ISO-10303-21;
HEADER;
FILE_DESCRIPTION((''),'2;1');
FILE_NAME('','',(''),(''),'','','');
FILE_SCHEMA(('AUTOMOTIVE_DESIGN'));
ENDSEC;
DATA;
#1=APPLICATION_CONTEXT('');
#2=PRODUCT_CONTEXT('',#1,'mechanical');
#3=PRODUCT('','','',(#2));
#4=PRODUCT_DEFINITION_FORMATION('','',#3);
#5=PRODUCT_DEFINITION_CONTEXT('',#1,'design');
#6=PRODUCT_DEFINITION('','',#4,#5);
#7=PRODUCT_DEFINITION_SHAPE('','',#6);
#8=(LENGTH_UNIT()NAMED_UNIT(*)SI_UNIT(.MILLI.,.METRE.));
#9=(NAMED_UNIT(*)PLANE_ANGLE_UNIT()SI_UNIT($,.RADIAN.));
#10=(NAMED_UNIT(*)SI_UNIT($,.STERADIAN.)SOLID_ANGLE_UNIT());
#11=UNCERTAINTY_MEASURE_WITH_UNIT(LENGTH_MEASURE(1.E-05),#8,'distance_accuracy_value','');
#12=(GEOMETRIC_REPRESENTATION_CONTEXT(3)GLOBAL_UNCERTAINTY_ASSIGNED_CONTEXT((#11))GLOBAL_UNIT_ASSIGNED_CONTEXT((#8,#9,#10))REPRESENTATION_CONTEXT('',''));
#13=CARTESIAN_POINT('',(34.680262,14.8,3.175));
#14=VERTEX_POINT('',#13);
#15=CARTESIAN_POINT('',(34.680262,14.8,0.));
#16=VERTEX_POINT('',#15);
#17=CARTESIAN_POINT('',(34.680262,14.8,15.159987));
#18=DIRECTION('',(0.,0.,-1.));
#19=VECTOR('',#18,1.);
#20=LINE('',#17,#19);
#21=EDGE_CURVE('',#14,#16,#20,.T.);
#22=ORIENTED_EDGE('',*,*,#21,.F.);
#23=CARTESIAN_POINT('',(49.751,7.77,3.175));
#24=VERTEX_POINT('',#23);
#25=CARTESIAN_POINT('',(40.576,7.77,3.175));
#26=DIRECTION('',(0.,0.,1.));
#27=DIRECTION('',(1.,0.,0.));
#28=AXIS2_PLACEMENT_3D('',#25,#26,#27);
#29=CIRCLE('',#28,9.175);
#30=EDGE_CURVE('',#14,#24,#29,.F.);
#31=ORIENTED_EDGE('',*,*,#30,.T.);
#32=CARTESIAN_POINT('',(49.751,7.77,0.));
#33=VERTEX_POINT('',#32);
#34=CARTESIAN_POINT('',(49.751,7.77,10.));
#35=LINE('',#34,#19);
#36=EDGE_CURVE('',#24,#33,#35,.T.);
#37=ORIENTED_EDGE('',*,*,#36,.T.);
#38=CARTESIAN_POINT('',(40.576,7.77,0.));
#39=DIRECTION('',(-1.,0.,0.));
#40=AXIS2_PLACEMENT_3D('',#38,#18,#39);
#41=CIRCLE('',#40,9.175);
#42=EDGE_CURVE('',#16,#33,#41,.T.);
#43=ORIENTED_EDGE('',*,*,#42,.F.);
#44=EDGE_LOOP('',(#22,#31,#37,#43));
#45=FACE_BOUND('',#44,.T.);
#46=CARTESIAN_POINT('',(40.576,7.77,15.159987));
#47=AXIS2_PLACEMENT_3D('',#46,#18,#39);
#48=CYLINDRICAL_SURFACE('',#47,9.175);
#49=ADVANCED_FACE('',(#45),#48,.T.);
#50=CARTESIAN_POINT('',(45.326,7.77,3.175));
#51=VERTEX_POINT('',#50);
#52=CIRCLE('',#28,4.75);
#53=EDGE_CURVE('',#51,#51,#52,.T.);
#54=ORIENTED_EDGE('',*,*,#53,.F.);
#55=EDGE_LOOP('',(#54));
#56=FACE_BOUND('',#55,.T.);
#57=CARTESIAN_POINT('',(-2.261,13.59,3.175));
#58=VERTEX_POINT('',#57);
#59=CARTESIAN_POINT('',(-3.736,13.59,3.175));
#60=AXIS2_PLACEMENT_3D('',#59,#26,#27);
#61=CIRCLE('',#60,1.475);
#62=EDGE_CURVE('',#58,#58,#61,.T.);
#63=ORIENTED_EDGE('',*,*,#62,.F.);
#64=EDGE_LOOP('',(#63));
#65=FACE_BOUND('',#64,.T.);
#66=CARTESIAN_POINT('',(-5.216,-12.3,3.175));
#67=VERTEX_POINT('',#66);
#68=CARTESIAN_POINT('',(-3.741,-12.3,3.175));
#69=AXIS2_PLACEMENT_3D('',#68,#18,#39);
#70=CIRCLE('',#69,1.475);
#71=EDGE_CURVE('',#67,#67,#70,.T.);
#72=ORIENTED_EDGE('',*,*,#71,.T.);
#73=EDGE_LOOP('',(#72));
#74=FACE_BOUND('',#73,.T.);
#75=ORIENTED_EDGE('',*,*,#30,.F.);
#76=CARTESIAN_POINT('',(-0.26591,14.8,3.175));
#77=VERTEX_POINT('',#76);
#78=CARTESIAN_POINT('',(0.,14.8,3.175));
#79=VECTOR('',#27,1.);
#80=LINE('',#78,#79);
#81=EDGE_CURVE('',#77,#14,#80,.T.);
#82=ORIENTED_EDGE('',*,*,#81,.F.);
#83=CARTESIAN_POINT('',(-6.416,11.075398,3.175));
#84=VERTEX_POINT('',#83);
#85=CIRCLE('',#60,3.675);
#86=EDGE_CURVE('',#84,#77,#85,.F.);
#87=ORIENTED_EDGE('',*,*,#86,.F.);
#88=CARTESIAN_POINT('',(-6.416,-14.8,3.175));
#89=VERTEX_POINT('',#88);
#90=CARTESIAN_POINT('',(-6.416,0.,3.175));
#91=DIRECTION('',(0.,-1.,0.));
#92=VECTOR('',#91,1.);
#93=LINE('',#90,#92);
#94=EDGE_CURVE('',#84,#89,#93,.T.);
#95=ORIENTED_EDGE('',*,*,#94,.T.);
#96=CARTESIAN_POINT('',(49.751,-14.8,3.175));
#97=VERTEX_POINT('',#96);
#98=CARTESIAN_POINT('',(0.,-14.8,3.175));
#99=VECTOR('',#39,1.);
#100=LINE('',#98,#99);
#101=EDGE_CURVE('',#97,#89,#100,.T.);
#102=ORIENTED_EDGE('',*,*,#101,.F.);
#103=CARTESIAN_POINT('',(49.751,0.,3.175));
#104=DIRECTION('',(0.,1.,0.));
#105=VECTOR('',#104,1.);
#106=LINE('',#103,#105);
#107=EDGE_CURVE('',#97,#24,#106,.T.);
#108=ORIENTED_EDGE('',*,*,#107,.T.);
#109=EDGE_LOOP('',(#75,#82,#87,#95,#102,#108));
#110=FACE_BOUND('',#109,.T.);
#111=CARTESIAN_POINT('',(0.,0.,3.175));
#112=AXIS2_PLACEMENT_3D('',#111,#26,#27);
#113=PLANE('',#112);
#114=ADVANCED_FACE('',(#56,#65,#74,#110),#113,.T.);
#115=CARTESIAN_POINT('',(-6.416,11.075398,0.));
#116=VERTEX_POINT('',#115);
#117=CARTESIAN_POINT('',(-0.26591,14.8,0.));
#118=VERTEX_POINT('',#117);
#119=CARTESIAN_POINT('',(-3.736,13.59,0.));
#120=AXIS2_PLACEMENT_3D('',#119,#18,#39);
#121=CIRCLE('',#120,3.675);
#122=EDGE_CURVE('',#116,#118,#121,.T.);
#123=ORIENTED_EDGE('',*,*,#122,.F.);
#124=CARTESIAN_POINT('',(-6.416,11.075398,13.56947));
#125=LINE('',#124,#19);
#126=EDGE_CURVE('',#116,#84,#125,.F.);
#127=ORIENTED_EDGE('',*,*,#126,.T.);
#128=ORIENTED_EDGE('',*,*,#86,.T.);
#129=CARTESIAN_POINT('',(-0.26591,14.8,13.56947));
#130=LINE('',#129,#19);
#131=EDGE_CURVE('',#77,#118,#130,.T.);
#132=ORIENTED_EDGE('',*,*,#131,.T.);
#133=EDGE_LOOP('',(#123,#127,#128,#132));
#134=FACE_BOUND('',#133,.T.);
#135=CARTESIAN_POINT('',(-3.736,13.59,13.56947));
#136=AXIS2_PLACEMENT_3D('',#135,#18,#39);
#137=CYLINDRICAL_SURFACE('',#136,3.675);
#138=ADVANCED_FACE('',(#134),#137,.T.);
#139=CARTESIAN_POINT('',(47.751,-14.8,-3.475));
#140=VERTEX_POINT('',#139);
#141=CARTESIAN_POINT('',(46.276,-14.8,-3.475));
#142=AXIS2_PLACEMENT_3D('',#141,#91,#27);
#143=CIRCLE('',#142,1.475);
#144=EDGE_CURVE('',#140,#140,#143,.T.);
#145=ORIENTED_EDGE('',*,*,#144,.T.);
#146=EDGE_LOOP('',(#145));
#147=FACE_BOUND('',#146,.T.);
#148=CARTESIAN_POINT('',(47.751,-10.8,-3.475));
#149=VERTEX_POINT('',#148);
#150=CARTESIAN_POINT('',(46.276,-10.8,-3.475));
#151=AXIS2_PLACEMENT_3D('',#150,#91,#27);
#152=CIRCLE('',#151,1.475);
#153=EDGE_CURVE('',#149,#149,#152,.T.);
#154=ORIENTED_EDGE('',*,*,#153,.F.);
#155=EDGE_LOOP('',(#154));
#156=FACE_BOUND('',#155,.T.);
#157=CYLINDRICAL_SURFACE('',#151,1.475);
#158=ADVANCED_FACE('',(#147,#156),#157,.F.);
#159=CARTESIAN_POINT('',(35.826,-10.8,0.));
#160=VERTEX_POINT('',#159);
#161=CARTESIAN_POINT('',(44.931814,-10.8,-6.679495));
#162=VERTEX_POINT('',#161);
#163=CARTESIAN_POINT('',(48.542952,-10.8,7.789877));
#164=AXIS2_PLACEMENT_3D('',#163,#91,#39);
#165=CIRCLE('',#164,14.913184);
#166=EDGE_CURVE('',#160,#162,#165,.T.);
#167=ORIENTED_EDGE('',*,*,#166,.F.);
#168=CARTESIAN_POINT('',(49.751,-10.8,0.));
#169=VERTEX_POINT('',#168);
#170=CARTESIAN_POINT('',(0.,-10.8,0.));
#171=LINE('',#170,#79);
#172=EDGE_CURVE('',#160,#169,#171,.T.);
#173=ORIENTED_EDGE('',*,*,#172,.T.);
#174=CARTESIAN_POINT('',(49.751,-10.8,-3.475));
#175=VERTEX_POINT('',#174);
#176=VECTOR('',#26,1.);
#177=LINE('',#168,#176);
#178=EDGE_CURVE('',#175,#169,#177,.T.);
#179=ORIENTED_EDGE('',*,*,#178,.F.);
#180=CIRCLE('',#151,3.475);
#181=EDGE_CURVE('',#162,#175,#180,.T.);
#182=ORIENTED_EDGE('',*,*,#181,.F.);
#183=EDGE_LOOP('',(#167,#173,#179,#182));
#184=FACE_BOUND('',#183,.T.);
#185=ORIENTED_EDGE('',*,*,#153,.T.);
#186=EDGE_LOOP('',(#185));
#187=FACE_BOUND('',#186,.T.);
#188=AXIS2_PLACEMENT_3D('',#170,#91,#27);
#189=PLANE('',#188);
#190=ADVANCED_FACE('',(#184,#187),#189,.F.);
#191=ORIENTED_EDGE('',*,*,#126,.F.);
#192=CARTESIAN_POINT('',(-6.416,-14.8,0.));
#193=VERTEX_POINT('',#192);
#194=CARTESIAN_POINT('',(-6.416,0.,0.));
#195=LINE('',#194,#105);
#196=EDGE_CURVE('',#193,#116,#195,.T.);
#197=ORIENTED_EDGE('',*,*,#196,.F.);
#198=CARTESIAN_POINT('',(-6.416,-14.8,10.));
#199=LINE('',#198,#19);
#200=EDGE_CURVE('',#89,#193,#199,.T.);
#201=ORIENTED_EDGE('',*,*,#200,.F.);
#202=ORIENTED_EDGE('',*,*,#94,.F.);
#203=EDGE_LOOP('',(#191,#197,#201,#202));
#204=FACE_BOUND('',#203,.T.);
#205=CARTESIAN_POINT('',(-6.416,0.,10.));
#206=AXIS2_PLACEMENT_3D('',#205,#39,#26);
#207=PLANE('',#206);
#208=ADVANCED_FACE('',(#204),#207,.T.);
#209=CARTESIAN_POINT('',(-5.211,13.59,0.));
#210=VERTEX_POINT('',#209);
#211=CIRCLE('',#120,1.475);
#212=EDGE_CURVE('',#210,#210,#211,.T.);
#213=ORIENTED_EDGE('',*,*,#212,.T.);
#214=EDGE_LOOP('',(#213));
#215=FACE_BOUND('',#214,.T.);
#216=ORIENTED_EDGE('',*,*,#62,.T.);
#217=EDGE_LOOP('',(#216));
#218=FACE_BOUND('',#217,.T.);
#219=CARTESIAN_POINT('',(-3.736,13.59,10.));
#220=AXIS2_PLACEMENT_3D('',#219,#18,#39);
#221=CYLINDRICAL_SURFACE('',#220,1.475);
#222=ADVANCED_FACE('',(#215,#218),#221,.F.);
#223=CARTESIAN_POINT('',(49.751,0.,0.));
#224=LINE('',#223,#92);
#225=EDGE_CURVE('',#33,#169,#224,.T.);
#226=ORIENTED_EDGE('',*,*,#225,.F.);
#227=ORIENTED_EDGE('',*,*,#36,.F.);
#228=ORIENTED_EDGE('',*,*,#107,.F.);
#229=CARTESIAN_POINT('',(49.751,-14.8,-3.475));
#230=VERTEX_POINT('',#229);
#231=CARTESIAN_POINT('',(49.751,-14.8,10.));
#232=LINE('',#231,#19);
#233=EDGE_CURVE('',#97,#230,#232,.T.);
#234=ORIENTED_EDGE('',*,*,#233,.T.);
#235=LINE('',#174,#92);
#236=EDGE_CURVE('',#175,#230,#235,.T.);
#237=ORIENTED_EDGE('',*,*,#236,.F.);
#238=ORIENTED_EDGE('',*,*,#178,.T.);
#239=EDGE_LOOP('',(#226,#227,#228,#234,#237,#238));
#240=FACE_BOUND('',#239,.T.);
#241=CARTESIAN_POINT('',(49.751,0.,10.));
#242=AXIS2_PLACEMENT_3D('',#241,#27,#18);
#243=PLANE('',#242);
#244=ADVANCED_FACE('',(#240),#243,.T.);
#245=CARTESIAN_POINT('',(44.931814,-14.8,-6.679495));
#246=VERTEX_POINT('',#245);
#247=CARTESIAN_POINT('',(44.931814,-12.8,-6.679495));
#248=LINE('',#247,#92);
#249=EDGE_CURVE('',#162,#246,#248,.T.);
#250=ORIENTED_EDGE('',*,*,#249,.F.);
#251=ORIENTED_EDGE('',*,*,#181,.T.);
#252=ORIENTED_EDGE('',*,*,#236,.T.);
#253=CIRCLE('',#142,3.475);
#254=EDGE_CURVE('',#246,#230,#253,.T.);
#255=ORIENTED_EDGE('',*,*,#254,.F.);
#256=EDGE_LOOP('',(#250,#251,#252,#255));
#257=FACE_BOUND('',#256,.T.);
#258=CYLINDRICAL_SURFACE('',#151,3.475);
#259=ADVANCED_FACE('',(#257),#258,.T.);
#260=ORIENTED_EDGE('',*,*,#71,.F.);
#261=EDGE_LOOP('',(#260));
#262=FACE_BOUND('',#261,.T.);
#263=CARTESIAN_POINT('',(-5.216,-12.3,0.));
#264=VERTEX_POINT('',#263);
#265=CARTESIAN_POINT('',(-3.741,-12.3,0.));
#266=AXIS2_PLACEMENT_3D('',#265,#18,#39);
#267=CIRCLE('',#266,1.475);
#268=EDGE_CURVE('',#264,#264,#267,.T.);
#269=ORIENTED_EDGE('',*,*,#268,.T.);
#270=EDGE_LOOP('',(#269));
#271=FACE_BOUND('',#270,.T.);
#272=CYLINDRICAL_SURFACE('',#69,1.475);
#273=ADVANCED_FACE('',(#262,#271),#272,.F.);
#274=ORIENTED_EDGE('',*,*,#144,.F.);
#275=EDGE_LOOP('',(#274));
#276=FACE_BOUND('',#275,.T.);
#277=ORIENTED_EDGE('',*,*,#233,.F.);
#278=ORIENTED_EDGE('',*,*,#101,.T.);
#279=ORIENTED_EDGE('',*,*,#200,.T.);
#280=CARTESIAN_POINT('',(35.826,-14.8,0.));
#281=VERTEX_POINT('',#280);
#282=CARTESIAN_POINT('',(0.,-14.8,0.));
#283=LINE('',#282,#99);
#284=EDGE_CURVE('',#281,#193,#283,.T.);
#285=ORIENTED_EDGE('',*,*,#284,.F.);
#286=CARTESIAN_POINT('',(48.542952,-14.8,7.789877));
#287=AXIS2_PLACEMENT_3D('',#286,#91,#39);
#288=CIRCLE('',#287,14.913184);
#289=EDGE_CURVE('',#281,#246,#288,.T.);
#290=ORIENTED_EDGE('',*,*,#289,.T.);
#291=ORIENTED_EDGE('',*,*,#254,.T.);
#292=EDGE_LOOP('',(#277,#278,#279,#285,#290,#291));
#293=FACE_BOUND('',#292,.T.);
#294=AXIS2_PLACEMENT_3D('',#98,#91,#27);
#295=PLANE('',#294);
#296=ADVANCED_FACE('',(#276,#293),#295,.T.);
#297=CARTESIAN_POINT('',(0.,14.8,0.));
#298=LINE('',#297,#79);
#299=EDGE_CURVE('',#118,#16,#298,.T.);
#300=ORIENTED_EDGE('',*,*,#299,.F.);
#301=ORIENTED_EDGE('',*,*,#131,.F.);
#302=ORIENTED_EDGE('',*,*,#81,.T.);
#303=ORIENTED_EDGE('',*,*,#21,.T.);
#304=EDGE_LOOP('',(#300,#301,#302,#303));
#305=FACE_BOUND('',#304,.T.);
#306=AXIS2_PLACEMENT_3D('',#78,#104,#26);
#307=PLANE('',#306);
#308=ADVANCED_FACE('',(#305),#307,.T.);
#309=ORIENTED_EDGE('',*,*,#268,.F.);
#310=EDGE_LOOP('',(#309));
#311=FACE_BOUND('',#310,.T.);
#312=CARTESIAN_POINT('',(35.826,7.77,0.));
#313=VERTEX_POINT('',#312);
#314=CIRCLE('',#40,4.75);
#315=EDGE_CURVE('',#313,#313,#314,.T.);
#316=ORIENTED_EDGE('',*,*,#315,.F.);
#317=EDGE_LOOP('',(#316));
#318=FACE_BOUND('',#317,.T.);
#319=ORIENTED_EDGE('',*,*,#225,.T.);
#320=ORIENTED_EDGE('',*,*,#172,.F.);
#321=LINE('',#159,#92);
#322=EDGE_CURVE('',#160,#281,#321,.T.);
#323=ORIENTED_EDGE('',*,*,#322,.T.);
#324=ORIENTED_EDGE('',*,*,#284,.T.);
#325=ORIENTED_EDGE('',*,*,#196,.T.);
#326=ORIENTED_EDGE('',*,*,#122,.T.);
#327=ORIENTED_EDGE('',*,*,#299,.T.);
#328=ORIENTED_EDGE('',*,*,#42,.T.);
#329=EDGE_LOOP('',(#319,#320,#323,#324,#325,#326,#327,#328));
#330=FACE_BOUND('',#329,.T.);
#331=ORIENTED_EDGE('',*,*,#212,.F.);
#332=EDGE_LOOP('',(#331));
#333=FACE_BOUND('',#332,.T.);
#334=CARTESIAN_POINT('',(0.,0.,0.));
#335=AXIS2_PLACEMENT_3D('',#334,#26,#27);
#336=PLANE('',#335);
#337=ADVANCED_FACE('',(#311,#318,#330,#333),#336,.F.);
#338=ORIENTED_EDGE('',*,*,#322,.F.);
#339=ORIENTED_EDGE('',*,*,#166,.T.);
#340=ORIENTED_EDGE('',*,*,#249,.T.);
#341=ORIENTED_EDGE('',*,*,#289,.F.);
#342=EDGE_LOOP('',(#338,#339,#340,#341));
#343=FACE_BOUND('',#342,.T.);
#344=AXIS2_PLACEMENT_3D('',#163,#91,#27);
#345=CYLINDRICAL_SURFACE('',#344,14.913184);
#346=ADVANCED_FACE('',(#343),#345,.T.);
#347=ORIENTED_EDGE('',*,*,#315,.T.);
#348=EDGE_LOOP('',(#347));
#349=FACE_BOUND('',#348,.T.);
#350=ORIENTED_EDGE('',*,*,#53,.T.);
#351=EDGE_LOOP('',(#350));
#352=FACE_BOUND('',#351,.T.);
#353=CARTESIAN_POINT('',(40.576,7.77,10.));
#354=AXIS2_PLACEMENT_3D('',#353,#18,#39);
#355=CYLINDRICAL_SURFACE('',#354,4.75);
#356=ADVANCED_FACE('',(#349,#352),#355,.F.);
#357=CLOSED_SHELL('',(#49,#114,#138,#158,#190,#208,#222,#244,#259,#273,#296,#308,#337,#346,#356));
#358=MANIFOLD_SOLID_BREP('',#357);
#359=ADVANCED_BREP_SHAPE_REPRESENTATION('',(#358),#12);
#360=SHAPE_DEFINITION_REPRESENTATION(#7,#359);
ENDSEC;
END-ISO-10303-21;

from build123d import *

# Parameters (mm, degrees)
SKETCH1_W            = 6.266
SKETCH1_H            = 19.6
SKETCH1_R            = 1.675
SKETCH1_W_2          = 52.832
SKETCH1_H_2          = 5
BOSS_EXTRUDE2_DEPTH  = 3.175
SKETCH3_W            = 30
SKETCH3_H            = 29.6
BOSS_EXTRUDE3_DEPTH  = 3.175
SKETCH4_R            = 4.75
CUT_EXTRUDE1_DEPTH   = 10
BOSS_EXTRUDE14_DEPTH = 3.175
CUT_EXTRUDE8_DEPTH   = 10
SKETCH24_R           = 1.675
CUT_EXTRUDE9_DEPTH   = 10
SKETCH25_R           = 3.675
SKETCH25_R_2         = 1.675
BOSS_EXTRUDE15_DEPTH = 3.175
SKETCH27_W           = 52.932563224
SKETCH27_H           = 23.005559857
BOSS_EXTRUDE16_DEPTH = 3.175
CUT_EXTRUDE14_DEPTH  = 10
SKETCH29_R           = 1.675
CUT_EXTRUDE15_DEPTH  = 10
SKETCH30_R           = 1.475
CUT_EXTRUDE16_DEPTH  = 10
SKETCH31_R           = 3.675
SKETCH31_R_2         = 1.675
BOSS_EXTRUDE17_DEPTH = 3.175
SKETCH33_R           = 1.475
CUT_EXTRUDE17_DEPTH  = 53.757206626
SKETCH37_R           = 3.475
SKETCH37_R_2         = 1.475
BOSS_EXTRUDE21_DEPTH = 4
BOSS_EXTRUDE22_DEPTH = 4
SKETCH39_R           = 1.675
SKETCH39_R_2         = 1.475
BOSS_EXTRUDE23_DEPTH = 3.175


with BuildPart() as part:
    # Sketch1 → Boss-Extrude2 (new body)
    # profile 1 of 4: a face of its own
    with BuildSketch(Plane.XY):
        with Locations((-23.283, 0)):
            Rectangle(SKETCH1_W, SKETCH1_H)
        with Locations((-23.95, -4.974)):
            Circle(SKETCH1_R, mode=Mode.SUBTRACT)
        with Locations((-23.95, 4.974)):
            Circle(SKETCH1_R, mode=Mode.SUBTRACT)
    # profile 2 of 4: a face of its own
    with BuildSketch(Plane.XY):
        with Locations((0, -12.3)):
            Rectangle(SKETCH1_W_2, SKETCH1_H_2)
    # profile 3 of 4: a face of its own
    with BuildSketch(Plane.XY):
        with Locations((0, 12.3)):
            Rectangle(SKETCH1_W_2, SKETCH1_H_2)
    # profile 4 of 4: a face of its own
    with BuildSketch(Plane.XY):
        with Locations((23.283, 0)):
            Rectangle(SKETCH1_W, SKETCH1_H)
        with Locations((23.95, -4.974)):
            Circle(SKETCH1_R, mode=Mode.SUBTRACT)
        with Locations((23.95, 4.974)):
            Circle(SKETCH1_R, mode=Mode.SUBTRACT)
    extrude(amount=BOSS_EXTRUDE2_DEPTH)

    # Sketch3 → Boss-Extrude3 (add)
    with BuildSketch(Plane.XY.offset(3.175)):
        with Locations((41.416, 0)):
            Rectangle(SKETCH3_W, SKETCH3_H)
    extrude(amount=-BOSS_EXTRUDE3_DEPTH)

    # Sketch4 → Cut-Extrude1 (cut)
    with BuildSketch(Plane(origin=(0, 0, 0), x_dir=(-1, 0, 0), z_dir=(0, 0, -1))):
        with Locations((-40.576, 7.77)):
            Circle(SKETCH4_R)
    extrude(amount=-CUT_EXTRUDE1_DEPTH, mode=Mode.SUBTRACT)

    # Sketch22 → Boss-Extrude14 (add)
    with BuildSketch(Plane(origin=(0, 0, 0), x_dir=(-1, 0, 0), z_dir=(0, 0, -1))):
        with BuildLine():
            ThreePointArc((-34.680262133, 14.8), (-40.576, 16.945), (-46.471737867, 14.8))
            Line((-46.471737867, 14.8), (-34.680262133, 14.8))
        make_face()
    extrude(amount=-BOSS_EXTRUDE14_DEPTH)

    # Sketch23 → Cut-Extrude8 (cut)
    with BuildSketch(Plane(origin=(0, 0, 0), x_dir=(-1, 0, 0), z_dir=(0, 0, -1))):
        with BuildLine():
            Line((-49.751, -14.8), (-49.751, 7.77))
            ThreePointArc((-49.751, 7.77), (-48.890866804, 11.648609936), (-46.471737867, 14.8))
            Line((-46.471737867, 14.8), (-56.416, 14.8))
            Line((-56.416, 14.8), (-56.416, -14.8))
            Line((-56.416, -14.8), (-49.751, -14.8))
        make_face()
    extrude(amount=-CUT_EXTRUDE8_DEPTH, mode=Mode.SUBTRACT)

    # Sketch24 → Cut-Extrude9 (cut)
    with BuildSketch(Plane(origin=(0, 0, 0), x_dir=(-1, 0, 0), z_dir=(0, 0, -1))):
        with Locations((23.736, 13.59)):
            Circle(SKETCH24_R)
    extrude(amount=-CUT_EXTRUDE9_DEPTH, mode=Mode.SUBTRACT)

    # Sketch25 → Boss-Extrude15 (add)
    # profile 1 of 3: a face of its own
    with BuildSketch(Plane(origin=(0, 0, 0), x_dir=(-1, 0, 0), z_dir=(0, 0, -1))):
        with Locations((23.95, -4.974)):
            Circle(SKETCH25_R)
        with Locations(Location((23.95, -4.974, 0), (0, 0, 180))):
            Circle(SKETCH25_R_2, mode=Mode.SUBTRACT)
    # profile 2 of 3: a face of its own
    with BuildSketch(Plane(origin=(0, 0, 0), x_dir=(-1, 0, 0), z_dir=(0, 0, -1))):
        with Locations((23.95, 4.974)):
            Circle(SKETCH25_R)
        with Locations(Location((23.95, 4.974, 0), (0, 0, 180))):
            Circle(SKETCH25_R_2, mode=Mode.SUBTRACT)
    # profile 3 of 3: a face of its own
    with BuildSketch(Plane(origin=(0, 0, 0), x_dir=(-1, 0, 0), z_dir=(0, 0, -1))):
        with Locations((23.736, 13.59)):
            Circle(SKETCH25_R)
        with Locations((23.736, 13.59)):
            Circle(SKETCH25_R_2, mode=Mode.SUBTRACT)
    extrude(amount=-BOSS_EXTRUDE15_DEPTH)

    # Sketch27 → Boss-Extrude16 (add)
    with BuildSketch(Plane(origin=(0, 0, 0), x_dir=(-1, 0, 0), z_dir=(0, 0, -1))):
        with Locations((-0.417160697, -0.481381251)):
            Rectangle(SKETCH27_W, SKETCH27_H)
    extrude(amount=-BOSS_EXTRUDE16_DEPTH)

    # Sketch28 → Cut-Extrude14 (cut)
    with BuildSketch(Plane(origin=(0, 0, 0), x_dir=(-1, 0, 0), z_dir=(0, 0, -1))):
        Polygon((26.416, 8.97792488), (26.416, -8.885991227), (33.695668031, -3.414754928), align=None)
    extrude(amount=-CUT_EXTRUDE14_DEPTH, mode=Mode.SUBTRACT)

    # Sketch29 → Cut-Extrude15 (cut)
    # profile 1 of 4: a face of its own
    with BuildSketch(Plane(origin=(0, 0, 0), x_dir=(-1, 0, 0), z_dir=(0, 0, -1))):
        with BuildLine():
            Line((6.416, -14.8), (26.416, -14.8))
            Line((26.416, -14.8), (26.416, 8.759294646))
            Line((26.416, 8.759294646), (26.416, 11.075397646))
            Line((26.416, 11.075397646), (26.416, 16.104602354))
            ThreePointArc((26.416, 16.104602354), (22.973400892, 17.185005925), (20.265909944, 14.8))
            Line((20.265909944, 14.8), (6.416, 14.8))
            Line((6.416, 14.8), (6.416, -14.8))
        make_face()
        with Locations((23.736, 13.59)):
            Circle(SKETCH29_R, mode=Mode.SUBTRACT)
    # profile 2 of 4: a face of its own
    with BuildSketch(Plane(origin=(0, 0, 0), x_dir=(-1, 0, 0), z_dir=(0, 0, -1))):
        with BuildLine():
            Line((26.416, 11.075397646), (26.416, 8.759294646))
            Line((26.416, 8.759294646), (29.849387413, 8.759294646))
            Line((29.849387413, 8.759294646), (29.849387413, 20.986227432))
            Line((29.849387413, 20.986227432), (26.416, 20.986227432))
            Line((26.416, 20.986227432), (26.416, 16.104602354))
            ThreePointArc((26.416, 16.104602354), (27.411, 13.59), (26.416, 11.075397646))
        make_face()
    # profile 3 of 4: a face of its own
    with BuildSketch(Plane(origin=(0, 0, 0), x_dir=(-1, 0, 0), z_dir=(0, 0, -1))):
        with BuildLine():
            Line((26.416, 16.104602354), (26.416, 11.075397646))
            ThreePointArc((26.416, 11.075397646), (27.411, 13.59), (26.416, 16.104602354))
        make_face()
    # profile 4 of 4: a face of its own
    with BuildSketch(Plane(origin=(0, 0, 0), x_dir=(-1, 0, 0), z_dir=(0, 0, -1))):
        with BuildLine():
            Line((6.416, 20.986227432), (6.416, 14.8))
            Line((6.416, 14.8), (20.265909944, 14.8))
            ThreePointArc((20.265909944, 14.8), (22.973400892, 17.185005925), (26.416, 16.104602354))
            Line((26.416, 16.104602354), (26.416, 20.986227432))
            Line((26.416, 20.986227432), (6.416, 20.986227432))
        make_face()
    extrude(amount=-CUT_EXTRUDE15_DEPTH, mode=Mode.SUBTRACT)

    # Sketch30 → Cut-Extrude16 (cut)
    with BuildSketch(Plane(origin=(0, 0, 0), x_dir=(-1, 0, 0), z_dir=(0, 0, -1))):
        with Locations((3.736, 13.59)):
            Circle(SKETCH30_R)
    extrude(amount=-CUT_EXTRUDE16_DEPTH, mode=Mode.SUBTRACT)

    # Sketch31 → Boss-Extrude17 (add)
    with BuildSketch(Plane(origin=(0, 0, 0), x_dir=(-1, 0, 0), z_dir=(0, 0, -1))):
        with Locations((3.736, 13.59)):
            Circle(SKETCH31_R)
        with Locations((3.736, 13.59)):
            Circle(SKETCH31_R_2, mode=Mode.SUBTRACT)
    extrude(amount=-BOSS_EXTRUDE17_DEPTH)

    # Sketch33 → Cut-Extrude17 (cut, through all)
    with BuildSketch(Plane(origin=(0, 0, 0), x_dir=(-1, 0, 0), z_dir=(0, 0, -1))):
        with Locations((3.741, -12.3)):
            Circle(SKETCH33_R)
    extrude(amount=-CUT_EXTRUDE17_DEPTH, mode=Mode.SUBTRACT)

    # Sketch37 → Boss-Extrude21 (add)
    # profile 1 of 3: a face of its own
    with BuildSketch(Plane(origin=(0, -14.8, 0), x_dir=(-1, 0, 0), z_dir=(0, -1, 0))):
        with BuildLine():
            ThreePointArc((-46.276, 0), (-48.733196065, 1.017803935), (-49.751, 3.475))
            Line((-49.751, 3.475), (-49.751, 0))
            Line((-49.751, 0), (-46.276, 0))
        make_face()
    # profile 2 of 3: a face of its own
    with BuildSketch(Plane(origin=(0, -14.8, 0), x_dir=(-1, 0, 0), z_dir=(0, -1, 0))):
        with Locations((-46.276, 3.475)):
            Circle(SKETCH37_R)
        with Locations(Location((-46.276, 3.475, 0), (0, 0, 180))):
            Circle(SKETCH37_R_2, mode=Mode.SUBTRACT)
    # profile 3 of 3: a face of its own
    with BuildSketch(Plane(origin=(0, -14.8, 0), x_dir=(-1, 0, 0), z_dir=(0, -1, 0))):
        with BuildLine():
            Line((-42.801, 0), (-42.801, 3.475))
            ThreePointArc((-42.801, 3.475), (-43.818803935, 1.017803935), (-46.276, 0))
            Line((-46.276, 0), (-42.801, 0))
        make_face()
    extrude(amount=-BOSS_EXTRUDE21_DEPTH)

    # Sketch38 → Boss-Extrude22 (add)
    with BuildSketch(Plane(origin=(0, -14.8, 0), x_dir=(-1, 0, 0), z_dir=(0, -1, 0))):
        with BuildLine():
            Line((-35.826, 0), (-42.801, 0))
            Line((-42.801, 0), (-42.801, 3.475))
            Line((-42.801, 3.475), (-46.276, 6.95))
            ThreePointArc((-46.276, 6.95), (-40.28432198, 4.627774865), (-35.826, 0))
        make_face()
    extrude(amount=-BOSS_EXTRUDE22_DEPTH)

    # Sketch39 → Boss-Extrude23 (add)
    with BuildSketch(Plane(origin=(0, 0, 0), x_dir=(-1, 0, 0), z_dir=(0, 0, -1))):
        with Locations((3.736, 13.59)):
            Circle(SKETCH39_R)
        with Locations((3.736, 13.59)):
            Circle(SKETCH39_R_2, mode=Mode.SUBTRACT)
    extrude(amount=-BOSS_EXTRUDE23_DEPTH)


solid = part.part
